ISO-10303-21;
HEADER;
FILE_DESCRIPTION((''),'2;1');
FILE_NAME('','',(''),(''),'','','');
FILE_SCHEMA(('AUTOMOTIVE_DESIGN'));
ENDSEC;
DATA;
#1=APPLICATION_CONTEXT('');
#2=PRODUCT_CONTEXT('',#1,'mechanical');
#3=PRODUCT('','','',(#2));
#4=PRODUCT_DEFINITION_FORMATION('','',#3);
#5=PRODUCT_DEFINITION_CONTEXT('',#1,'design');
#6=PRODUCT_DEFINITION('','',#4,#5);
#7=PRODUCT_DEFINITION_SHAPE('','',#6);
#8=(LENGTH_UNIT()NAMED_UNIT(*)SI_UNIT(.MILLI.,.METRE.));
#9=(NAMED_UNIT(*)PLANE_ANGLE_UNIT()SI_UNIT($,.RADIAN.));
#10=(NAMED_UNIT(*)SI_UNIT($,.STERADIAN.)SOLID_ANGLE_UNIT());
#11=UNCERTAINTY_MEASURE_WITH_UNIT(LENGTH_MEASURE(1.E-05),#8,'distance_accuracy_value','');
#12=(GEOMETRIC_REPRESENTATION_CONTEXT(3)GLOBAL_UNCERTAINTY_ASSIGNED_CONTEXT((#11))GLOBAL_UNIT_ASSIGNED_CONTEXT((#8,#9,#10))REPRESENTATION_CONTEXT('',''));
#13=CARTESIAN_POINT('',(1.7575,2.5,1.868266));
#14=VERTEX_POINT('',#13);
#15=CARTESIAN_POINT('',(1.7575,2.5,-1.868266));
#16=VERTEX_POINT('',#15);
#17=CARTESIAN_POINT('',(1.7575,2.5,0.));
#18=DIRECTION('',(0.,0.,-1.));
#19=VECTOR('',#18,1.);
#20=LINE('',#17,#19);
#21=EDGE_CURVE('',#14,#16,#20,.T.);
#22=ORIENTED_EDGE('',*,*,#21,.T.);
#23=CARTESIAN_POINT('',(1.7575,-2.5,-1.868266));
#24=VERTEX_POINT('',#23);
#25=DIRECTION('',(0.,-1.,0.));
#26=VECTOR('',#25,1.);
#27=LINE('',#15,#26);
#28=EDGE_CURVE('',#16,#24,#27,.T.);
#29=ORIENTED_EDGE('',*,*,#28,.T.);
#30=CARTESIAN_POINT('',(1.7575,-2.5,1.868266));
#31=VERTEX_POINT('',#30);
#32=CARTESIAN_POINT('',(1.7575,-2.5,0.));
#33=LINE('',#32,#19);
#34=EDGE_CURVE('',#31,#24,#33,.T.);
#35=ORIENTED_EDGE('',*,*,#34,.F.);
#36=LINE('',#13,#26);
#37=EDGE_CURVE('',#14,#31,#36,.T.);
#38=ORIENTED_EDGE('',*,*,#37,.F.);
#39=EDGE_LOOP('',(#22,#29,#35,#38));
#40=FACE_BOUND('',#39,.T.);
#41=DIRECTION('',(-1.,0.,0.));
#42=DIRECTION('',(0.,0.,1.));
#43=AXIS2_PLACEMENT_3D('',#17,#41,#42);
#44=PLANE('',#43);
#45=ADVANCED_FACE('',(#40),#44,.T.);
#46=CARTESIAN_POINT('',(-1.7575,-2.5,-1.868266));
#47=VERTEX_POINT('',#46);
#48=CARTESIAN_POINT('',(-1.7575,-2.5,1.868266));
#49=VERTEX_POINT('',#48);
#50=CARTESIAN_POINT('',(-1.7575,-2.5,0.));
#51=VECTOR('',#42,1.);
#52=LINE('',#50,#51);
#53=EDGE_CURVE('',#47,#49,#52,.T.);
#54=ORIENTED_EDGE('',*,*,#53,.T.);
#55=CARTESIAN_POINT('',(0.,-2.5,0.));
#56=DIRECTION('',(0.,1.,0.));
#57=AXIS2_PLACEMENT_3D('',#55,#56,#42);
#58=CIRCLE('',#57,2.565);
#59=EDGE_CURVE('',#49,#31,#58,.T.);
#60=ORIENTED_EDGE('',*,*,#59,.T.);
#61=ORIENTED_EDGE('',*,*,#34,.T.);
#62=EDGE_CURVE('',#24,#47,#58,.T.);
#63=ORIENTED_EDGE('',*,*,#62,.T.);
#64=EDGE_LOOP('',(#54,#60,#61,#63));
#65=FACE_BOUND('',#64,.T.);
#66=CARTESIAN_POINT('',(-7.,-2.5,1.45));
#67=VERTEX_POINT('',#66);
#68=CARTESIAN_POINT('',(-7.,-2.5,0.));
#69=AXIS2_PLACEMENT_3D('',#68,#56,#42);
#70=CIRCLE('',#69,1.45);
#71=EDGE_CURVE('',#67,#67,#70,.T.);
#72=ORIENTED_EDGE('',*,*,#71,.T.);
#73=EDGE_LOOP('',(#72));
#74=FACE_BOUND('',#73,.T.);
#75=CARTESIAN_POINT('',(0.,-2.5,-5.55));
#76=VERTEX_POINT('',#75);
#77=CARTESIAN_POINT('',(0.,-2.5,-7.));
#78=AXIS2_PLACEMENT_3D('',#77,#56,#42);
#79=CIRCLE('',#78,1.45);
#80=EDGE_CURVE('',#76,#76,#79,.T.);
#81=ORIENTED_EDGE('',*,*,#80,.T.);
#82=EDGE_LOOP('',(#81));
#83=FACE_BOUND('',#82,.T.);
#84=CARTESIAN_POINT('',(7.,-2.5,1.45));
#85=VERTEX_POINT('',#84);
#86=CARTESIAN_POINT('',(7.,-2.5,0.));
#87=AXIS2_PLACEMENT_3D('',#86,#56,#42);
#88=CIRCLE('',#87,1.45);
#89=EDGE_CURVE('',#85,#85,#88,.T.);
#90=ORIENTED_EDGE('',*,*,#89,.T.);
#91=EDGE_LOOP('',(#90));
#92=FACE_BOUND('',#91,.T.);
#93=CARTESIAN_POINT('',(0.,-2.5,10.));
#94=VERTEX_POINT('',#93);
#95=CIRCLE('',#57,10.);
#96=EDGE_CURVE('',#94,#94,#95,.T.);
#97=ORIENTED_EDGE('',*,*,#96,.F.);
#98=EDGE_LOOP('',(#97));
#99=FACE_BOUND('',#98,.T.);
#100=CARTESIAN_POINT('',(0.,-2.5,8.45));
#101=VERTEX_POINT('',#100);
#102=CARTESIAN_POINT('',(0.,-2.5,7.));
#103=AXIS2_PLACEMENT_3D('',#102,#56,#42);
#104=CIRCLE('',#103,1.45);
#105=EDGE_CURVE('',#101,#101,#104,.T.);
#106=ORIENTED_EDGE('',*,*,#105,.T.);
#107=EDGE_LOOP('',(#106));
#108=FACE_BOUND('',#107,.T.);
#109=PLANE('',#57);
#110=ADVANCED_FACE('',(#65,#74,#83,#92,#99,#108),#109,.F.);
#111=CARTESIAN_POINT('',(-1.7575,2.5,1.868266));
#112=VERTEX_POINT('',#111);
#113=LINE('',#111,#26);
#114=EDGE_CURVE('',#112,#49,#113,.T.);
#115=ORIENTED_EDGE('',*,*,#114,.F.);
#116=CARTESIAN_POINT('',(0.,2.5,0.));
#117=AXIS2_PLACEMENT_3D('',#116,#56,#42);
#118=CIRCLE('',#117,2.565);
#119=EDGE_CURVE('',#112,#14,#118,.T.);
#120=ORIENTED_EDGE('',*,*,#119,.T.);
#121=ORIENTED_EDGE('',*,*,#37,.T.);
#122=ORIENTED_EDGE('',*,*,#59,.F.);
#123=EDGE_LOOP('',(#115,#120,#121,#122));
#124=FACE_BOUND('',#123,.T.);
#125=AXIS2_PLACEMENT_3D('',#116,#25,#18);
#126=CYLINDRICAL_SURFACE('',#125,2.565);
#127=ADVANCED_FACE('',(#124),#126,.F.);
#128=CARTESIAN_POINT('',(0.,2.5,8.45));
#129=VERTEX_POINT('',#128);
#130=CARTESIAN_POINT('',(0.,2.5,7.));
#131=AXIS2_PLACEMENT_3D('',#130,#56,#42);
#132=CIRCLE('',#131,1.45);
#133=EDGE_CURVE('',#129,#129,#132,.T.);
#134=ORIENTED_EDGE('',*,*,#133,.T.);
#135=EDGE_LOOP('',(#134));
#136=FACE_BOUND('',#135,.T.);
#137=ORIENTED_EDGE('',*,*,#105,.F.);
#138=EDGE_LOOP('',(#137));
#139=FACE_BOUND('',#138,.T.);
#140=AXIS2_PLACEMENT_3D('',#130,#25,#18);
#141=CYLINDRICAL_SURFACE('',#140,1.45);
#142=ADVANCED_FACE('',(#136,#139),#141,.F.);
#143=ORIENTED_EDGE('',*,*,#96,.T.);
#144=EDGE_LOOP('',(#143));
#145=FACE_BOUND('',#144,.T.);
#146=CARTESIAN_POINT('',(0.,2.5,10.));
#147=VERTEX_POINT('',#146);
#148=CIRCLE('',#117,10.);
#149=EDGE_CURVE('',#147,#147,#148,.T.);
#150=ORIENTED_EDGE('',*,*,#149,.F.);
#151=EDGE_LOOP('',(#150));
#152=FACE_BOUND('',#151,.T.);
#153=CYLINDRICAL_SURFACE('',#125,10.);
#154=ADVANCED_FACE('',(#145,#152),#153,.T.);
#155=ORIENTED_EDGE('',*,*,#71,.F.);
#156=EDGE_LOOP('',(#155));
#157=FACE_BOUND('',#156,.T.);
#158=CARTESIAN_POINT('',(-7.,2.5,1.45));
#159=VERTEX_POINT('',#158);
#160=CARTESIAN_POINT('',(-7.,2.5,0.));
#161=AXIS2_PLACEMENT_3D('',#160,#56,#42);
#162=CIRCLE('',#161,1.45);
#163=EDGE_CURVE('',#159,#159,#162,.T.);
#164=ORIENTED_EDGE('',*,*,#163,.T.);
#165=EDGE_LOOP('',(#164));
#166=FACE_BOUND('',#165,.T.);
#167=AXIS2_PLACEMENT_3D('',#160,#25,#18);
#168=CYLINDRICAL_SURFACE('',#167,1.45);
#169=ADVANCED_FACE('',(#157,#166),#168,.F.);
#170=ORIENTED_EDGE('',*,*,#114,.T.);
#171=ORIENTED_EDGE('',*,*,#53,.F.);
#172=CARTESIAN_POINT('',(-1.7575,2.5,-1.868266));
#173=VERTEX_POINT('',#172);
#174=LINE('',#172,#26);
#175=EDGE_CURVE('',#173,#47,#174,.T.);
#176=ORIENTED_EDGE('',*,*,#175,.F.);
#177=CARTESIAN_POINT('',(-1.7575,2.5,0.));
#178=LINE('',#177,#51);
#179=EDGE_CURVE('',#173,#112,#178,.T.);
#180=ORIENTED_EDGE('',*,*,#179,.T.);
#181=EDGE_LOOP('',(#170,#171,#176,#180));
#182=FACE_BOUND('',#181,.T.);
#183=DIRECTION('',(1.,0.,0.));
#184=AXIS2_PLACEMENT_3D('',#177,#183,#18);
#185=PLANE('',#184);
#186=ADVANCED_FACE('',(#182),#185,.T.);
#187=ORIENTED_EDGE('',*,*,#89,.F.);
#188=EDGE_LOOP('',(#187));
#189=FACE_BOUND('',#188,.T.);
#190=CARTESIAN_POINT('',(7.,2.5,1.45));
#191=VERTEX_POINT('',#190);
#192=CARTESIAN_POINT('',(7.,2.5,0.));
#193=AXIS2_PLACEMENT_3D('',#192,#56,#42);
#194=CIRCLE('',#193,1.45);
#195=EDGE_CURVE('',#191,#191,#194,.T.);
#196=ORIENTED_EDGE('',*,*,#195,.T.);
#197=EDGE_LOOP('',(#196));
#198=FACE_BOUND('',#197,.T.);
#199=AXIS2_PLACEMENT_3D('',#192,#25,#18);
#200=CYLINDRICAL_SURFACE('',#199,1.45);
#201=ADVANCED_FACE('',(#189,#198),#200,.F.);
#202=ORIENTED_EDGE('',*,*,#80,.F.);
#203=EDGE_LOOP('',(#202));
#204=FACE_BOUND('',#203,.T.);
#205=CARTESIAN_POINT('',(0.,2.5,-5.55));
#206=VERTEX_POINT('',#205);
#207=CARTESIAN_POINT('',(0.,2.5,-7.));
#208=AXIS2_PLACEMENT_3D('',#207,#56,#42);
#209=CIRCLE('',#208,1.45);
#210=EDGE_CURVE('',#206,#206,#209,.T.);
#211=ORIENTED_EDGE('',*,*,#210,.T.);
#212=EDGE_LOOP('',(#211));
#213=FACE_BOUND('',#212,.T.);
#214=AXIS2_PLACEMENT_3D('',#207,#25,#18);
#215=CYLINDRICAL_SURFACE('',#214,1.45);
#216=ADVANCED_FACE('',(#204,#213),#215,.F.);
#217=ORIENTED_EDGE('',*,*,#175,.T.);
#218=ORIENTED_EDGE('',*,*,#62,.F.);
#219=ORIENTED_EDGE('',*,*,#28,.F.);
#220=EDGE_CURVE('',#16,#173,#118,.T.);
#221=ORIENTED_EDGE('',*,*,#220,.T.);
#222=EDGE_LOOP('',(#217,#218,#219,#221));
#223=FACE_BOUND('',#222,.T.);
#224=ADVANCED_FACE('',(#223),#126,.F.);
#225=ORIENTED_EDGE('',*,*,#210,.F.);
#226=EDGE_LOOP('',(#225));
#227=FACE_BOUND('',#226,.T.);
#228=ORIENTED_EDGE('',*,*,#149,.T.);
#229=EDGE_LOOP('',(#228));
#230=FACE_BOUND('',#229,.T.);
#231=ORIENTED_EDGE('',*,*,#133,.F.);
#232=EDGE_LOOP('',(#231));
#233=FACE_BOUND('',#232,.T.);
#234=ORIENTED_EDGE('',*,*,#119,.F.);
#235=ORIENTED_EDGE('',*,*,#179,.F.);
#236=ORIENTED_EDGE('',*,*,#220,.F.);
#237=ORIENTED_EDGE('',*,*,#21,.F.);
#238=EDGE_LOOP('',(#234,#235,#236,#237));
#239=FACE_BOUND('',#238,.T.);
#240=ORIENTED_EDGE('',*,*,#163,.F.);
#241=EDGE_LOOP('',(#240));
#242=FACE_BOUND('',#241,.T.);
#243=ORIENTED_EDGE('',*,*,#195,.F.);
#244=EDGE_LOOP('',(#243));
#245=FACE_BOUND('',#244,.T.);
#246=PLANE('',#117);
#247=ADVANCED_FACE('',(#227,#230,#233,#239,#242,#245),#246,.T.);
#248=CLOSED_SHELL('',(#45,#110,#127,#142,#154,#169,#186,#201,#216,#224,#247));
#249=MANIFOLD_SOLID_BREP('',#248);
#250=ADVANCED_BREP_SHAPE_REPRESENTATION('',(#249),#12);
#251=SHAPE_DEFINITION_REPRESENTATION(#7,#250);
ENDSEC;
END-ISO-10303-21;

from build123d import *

# Parameters (mm, degrees)
SKETCH_1_R      = 10
SKETCH_1_R_2    = 1.45
EXTRUDE_1_DEPTH = 2.5


with BuildPart() as part:
    # 草图1 → 凸台-拉伸1 (new body, symmetric)
    with BuildSketch(Plane(origin=(0, 0, 0), x_dir=(1, 0, 0), z_dir=(0, 1, 0))):
        Circle(SKETCH_1_R)
        with Locations((7, 0)):
            Circle(SKETCH_1_R_2, mode=Mode.SUBTRACT)
        with Locations((0, 7)):
            Circle(SKETCH_1_R_2, mode=Mode.SUBTRACT)
        with Locations((-7, 0)):
            Circle(SKETCH_1_R_2, mode=Mode.SUBTRACT)
        with Locations((0, -7)):
            Circle(SKETCH_1_R_2, mode=Mode.SUBTRACT)
        with BuildLine():
            Line((1.7575, 0), (1.7575, 1.868266242))
            ThreePointArc((1.7575, 1.868266242), (0, 2.565), (-1.7575, 1.868266242))
            Line((-1.7575, 1.868266242), (-1.7575, 0))
            Line((-1.7575, 0), (-1.7575, -1.868266242))
            ThreePointArc((-1.7575, -1.868266242), (0, -2.565), (1.7575, -1.868266242))
            Line((1.7575, -1.868266242), (1.7575, 0))
        make_face(mode=Mode.SUBTRACT)
    extrude(amount=EXTRUDE_1_DEPTH, both=True)


solid = part.part
